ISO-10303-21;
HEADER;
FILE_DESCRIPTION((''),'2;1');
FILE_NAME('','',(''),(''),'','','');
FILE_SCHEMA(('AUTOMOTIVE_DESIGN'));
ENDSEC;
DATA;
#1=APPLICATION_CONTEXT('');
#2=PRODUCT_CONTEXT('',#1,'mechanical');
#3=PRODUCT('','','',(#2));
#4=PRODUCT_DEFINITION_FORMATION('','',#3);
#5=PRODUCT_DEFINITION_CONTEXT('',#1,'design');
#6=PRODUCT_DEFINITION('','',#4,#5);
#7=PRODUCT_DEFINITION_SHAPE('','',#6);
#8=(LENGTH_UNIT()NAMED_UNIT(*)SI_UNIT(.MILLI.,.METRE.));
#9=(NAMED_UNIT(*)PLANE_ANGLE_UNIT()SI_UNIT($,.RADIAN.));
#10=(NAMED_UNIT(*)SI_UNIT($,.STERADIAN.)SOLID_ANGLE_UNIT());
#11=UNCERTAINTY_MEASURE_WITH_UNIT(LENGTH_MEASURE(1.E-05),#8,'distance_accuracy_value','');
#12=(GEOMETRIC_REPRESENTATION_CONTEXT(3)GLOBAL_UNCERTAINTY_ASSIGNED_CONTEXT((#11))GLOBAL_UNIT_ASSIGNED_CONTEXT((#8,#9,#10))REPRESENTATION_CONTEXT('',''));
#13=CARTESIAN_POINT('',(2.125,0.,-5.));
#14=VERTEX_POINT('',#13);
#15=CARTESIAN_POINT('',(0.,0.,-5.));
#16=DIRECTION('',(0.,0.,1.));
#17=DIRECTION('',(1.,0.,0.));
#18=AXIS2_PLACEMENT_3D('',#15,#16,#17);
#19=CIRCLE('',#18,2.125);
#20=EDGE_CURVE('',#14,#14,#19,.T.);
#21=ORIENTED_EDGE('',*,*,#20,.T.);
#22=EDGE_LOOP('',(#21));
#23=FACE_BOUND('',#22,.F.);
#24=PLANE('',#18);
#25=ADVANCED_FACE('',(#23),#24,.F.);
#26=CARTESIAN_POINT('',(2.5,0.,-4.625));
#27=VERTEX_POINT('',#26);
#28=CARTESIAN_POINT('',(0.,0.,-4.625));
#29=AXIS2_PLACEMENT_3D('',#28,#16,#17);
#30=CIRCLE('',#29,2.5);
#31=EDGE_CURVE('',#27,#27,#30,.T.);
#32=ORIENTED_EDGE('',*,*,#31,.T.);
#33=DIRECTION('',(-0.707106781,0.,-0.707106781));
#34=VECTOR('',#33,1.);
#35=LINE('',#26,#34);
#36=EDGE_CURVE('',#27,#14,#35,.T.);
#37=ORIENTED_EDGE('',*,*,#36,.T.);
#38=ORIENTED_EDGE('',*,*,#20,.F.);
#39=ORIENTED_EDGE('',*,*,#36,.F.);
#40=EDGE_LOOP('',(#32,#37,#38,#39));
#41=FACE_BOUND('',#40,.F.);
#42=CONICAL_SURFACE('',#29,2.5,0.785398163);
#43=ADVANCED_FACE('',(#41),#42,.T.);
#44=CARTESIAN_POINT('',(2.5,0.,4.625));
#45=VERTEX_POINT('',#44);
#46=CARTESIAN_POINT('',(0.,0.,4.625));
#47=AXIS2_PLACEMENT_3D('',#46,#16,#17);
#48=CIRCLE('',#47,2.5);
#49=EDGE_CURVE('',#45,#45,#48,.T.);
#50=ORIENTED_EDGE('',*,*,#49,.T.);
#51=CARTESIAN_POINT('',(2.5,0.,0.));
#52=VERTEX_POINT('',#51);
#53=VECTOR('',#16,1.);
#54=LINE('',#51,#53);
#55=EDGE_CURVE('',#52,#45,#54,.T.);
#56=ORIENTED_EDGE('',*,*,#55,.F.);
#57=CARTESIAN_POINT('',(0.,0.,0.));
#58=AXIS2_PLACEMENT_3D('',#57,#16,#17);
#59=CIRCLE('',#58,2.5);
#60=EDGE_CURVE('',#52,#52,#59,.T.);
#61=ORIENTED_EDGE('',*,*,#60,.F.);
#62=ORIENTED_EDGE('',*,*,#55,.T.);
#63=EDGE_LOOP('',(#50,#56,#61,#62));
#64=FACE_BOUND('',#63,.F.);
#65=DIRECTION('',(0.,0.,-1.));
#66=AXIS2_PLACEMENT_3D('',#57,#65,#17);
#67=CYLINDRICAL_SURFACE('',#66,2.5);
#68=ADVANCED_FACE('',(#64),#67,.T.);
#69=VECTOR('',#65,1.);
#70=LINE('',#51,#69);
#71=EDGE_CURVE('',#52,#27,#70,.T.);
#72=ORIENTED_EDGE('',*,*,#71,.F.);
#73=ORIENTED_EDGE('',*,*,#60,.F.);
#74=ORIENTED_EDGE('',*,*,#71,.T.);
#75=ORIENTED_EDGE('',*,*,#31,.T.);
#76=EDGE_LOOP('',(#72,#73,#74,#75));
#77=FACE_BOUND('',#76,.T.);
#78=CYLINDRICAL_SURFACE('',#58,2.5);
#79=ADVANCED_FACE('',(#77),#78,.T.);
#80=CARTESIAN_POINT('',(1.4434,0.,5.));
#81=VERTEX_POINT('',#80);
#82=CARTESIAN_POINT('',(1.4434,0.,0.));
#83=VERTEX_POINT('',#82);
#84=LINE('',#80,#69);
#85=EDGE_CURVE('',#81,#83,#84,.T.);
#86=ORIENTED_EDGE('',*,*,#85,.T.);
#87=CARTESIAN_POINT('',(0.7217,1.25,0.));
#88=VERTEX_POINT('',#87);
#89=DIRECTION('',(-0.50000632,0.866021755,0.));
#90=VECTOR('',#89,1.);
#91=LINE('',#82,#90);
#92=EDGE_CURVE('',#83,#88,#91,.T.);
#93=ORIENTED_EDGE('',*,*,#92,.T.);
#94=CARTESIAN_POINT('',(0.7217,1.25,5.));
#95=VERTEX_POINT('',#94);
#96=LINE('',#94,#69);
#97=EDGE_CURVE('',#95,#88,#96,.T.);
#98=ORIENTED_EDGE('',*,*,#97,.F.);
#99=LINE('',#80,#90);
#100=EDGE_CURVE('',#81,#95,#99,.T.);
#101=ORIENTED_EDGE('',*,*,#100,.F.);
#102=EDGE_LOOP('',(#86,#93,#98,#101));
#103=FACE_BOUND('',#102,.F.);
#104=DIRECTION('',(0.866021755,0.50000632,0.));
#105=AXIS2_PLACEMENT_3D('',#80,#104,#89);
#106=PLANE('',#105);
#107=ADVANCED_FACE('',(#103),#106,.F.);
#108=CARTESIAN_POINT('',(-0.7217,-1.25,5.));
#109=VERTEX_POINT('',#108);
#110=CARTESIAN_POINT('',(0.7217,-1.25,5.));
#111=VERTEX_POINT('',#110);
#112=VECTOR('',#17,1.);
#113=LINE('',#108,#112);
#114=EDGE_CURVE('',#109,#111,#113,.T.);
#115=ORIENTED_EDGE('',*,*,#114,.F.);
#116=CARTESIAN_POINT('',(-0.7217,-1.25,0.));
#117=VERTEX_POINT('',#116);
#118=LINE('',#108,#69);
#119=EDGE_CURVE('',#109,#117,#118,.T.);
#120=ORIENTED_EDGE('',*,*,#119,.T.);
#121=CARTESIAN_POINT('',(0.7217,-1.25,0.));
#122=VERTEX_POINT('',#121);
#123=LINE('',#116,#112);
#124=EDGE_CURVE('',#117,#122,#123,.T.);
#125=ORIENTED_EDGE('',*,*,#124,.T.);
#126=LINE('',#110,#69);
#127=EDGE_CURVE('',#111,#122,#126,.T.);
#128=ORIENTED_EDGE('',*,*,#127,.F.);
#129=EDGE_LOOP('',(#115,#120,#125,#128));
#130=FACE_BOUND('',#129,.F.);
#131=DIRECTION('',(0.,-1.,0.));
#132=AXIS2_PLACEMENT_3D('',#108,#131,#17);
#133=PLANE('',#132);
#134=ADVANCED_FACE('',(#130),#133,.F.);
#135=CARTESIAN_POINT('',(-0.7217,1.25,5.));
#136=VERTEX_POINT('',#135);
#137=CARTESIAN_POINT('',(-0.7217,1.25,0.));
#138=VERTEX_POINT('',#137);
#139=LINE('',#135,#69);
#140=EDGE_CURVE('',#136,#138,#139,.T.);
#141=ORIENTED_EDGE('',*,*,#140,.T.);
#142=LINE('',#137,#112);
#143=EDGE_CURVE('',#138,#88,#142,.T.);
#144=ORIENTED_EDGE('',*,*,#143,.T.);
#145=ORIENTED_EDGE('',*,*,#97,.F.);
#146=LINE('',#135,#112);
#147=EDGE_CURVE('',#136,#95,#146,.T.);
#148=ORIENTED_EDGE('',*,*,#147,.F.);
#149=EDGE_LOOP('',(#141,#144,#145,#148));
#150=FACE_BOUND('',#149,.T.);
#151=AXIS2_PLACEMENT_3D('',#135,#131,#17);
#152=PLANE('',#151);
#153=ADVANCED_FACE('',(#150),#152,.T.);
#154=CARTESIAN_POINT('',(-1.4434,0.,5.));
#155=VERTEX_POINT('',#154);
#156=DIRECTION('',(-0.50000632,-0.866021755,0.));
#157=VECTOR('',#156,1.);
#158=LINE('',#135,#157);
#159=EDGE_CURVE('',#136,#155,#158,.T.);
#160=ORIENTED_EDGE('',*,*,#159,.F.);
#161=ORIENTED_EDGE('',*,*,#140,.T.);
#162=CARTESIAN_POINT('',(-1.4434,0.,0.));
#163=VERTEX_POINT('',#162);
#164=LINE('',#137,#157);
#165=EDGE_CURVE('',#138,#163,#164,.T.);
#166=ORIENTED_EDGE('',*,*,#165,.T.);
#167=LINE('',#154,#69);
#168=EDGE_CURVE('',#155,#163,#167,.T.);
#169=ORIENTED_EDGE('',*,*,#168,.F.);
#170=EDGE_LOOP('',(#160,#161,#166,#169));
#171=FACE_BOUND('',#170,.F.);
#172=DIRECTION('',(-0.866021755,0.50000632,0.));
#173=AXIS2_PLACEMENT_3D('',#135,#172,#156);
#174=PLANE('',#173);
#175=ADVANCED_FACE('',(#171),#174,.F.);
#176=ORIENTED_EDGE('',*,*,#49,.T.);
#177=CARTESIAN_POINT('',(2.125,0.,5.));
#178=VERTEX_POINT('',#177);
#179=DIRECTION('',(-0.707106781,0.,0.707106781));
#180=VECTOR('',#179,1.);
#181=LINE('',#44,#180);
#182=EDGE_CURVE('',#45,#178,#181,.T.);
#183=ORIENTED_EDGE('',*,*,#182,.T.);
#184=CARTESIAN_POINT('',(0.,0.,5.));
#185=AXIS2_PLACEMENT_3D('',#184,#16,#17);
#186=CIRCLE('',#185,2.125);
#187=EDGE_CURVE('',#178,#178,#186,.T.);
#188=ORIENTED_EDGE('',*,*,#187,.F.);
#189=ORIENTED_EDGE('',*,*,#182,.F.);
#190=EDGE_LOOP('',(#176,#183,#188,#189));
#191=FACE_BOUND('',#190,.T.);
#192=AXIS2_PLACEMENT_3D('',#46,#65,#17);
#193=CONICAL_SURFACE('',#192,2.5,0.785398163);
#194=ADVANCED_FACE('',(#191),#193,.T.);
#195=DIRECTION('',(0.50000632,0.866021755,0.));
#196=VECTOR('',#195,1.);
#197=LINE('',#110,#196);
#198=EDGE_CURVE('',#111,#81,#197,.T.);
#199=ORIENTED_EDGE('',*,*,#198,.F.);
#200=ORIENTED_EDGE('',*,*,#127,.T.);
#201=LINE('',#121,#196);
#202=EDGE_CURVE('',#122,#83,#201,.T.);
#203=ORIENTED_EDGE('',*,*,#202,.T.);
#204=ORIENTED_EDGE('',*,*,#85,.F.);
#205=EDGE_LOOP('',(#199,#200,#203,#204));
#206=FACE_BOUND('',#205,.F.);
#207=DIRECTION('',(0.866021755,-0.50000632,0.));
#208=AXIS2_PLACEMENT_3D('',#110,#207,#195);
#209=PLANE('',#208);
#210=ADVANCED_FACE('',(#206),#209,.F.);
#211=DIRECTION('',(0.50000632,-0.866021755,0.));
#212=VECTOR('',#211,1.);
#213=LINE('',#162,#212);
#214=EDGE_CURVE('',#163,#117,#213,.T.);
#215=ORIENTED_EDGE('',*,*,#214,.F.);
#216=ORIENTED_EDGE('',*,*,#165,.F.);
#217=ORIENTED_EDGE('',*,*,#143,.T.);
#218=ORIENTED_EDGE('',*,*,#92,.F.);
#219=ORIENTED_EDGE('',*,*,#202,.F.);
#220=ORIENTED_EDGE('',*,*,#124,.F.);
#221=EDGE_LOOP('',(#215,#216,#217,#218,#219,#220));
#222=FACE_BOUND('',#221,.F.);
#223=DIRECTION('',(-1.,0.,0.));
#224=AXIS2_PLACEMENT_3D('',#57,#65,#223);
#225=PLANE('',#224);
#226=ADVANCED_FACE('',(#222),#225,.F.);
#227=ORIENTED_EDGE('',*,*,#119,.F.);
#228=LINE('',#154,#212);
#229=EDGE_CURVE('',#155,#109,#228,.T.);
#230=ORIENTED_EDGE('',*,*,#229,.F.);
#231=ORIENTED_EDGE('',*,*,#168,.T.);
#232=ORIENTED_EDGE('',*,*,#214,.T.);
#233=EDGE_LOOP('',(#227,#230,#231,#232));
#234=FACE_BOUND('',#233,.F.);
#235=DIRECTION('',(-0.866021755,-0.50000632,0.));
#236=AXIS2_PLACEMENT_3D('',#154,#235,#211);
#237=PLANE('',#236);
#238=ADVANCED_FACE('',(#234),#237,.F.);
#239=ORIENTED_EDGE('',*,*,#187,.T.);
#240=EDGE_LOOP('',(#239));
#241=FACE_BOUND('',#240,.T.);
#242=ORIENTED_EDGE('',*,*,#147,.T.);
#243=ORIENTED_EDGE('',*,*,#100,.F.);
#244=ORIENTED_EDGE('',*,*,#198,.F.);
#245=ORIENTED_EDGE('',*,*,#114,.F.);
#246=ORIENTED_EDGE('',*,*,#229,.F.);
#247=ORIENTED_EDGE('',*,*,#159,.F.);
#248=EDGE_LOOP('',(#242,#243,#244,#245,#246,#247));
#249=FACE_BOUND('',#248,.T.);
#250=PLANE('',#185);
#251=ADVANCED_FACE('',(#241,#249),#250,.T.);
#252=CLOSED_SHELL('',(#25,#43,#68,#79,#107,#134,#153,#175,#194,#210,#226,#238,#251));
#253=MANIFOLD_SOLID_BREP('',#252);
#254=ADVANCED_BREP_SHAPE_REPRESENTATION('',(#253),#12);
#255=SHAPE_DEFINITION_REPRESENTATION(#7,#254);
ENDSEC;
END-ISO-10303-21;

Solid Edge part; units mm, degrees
sketch "Sketch1" plane through (0, 0, 0) normal (0, 0, 1) x (1, 0, 0)
  circle A0 centre (0, 0) radius 2.5
  dimension "D1" = 5
extrude "Protrusion1" add sketch "Sketch1" along normal mid plane 10
chamfer "Chamfer1" distance 0.375 angle 45 2 edges at (-2.5, 0, -5) (-2.5, 0, 5)
sketch "Sketch2" plane through (0, 0, 5) normal (0, 0, 1) x (1, 0, 0)
  line L0 (-0.7217, 1.25) -> (0.7217, 1.25)
  line L1 (1.4434, 0) -> (0.7217, 1.25)
  line L2 (0.7217, -1.25) -> (1.4434, 0)
  line L3 (-0.7217, -1.25) -> (0.7217, -1.25)
  line L4 (-1.4434, 0) -> (-0.7217, -1.25)
  line L5 (-0.7217, 1.25) -> (-1.4434, 0)
  dimension "D1" = 2.5
extrude "Cutout1" cut sketch "Sketch2" against normal blind 5
properties part number "24104711"
